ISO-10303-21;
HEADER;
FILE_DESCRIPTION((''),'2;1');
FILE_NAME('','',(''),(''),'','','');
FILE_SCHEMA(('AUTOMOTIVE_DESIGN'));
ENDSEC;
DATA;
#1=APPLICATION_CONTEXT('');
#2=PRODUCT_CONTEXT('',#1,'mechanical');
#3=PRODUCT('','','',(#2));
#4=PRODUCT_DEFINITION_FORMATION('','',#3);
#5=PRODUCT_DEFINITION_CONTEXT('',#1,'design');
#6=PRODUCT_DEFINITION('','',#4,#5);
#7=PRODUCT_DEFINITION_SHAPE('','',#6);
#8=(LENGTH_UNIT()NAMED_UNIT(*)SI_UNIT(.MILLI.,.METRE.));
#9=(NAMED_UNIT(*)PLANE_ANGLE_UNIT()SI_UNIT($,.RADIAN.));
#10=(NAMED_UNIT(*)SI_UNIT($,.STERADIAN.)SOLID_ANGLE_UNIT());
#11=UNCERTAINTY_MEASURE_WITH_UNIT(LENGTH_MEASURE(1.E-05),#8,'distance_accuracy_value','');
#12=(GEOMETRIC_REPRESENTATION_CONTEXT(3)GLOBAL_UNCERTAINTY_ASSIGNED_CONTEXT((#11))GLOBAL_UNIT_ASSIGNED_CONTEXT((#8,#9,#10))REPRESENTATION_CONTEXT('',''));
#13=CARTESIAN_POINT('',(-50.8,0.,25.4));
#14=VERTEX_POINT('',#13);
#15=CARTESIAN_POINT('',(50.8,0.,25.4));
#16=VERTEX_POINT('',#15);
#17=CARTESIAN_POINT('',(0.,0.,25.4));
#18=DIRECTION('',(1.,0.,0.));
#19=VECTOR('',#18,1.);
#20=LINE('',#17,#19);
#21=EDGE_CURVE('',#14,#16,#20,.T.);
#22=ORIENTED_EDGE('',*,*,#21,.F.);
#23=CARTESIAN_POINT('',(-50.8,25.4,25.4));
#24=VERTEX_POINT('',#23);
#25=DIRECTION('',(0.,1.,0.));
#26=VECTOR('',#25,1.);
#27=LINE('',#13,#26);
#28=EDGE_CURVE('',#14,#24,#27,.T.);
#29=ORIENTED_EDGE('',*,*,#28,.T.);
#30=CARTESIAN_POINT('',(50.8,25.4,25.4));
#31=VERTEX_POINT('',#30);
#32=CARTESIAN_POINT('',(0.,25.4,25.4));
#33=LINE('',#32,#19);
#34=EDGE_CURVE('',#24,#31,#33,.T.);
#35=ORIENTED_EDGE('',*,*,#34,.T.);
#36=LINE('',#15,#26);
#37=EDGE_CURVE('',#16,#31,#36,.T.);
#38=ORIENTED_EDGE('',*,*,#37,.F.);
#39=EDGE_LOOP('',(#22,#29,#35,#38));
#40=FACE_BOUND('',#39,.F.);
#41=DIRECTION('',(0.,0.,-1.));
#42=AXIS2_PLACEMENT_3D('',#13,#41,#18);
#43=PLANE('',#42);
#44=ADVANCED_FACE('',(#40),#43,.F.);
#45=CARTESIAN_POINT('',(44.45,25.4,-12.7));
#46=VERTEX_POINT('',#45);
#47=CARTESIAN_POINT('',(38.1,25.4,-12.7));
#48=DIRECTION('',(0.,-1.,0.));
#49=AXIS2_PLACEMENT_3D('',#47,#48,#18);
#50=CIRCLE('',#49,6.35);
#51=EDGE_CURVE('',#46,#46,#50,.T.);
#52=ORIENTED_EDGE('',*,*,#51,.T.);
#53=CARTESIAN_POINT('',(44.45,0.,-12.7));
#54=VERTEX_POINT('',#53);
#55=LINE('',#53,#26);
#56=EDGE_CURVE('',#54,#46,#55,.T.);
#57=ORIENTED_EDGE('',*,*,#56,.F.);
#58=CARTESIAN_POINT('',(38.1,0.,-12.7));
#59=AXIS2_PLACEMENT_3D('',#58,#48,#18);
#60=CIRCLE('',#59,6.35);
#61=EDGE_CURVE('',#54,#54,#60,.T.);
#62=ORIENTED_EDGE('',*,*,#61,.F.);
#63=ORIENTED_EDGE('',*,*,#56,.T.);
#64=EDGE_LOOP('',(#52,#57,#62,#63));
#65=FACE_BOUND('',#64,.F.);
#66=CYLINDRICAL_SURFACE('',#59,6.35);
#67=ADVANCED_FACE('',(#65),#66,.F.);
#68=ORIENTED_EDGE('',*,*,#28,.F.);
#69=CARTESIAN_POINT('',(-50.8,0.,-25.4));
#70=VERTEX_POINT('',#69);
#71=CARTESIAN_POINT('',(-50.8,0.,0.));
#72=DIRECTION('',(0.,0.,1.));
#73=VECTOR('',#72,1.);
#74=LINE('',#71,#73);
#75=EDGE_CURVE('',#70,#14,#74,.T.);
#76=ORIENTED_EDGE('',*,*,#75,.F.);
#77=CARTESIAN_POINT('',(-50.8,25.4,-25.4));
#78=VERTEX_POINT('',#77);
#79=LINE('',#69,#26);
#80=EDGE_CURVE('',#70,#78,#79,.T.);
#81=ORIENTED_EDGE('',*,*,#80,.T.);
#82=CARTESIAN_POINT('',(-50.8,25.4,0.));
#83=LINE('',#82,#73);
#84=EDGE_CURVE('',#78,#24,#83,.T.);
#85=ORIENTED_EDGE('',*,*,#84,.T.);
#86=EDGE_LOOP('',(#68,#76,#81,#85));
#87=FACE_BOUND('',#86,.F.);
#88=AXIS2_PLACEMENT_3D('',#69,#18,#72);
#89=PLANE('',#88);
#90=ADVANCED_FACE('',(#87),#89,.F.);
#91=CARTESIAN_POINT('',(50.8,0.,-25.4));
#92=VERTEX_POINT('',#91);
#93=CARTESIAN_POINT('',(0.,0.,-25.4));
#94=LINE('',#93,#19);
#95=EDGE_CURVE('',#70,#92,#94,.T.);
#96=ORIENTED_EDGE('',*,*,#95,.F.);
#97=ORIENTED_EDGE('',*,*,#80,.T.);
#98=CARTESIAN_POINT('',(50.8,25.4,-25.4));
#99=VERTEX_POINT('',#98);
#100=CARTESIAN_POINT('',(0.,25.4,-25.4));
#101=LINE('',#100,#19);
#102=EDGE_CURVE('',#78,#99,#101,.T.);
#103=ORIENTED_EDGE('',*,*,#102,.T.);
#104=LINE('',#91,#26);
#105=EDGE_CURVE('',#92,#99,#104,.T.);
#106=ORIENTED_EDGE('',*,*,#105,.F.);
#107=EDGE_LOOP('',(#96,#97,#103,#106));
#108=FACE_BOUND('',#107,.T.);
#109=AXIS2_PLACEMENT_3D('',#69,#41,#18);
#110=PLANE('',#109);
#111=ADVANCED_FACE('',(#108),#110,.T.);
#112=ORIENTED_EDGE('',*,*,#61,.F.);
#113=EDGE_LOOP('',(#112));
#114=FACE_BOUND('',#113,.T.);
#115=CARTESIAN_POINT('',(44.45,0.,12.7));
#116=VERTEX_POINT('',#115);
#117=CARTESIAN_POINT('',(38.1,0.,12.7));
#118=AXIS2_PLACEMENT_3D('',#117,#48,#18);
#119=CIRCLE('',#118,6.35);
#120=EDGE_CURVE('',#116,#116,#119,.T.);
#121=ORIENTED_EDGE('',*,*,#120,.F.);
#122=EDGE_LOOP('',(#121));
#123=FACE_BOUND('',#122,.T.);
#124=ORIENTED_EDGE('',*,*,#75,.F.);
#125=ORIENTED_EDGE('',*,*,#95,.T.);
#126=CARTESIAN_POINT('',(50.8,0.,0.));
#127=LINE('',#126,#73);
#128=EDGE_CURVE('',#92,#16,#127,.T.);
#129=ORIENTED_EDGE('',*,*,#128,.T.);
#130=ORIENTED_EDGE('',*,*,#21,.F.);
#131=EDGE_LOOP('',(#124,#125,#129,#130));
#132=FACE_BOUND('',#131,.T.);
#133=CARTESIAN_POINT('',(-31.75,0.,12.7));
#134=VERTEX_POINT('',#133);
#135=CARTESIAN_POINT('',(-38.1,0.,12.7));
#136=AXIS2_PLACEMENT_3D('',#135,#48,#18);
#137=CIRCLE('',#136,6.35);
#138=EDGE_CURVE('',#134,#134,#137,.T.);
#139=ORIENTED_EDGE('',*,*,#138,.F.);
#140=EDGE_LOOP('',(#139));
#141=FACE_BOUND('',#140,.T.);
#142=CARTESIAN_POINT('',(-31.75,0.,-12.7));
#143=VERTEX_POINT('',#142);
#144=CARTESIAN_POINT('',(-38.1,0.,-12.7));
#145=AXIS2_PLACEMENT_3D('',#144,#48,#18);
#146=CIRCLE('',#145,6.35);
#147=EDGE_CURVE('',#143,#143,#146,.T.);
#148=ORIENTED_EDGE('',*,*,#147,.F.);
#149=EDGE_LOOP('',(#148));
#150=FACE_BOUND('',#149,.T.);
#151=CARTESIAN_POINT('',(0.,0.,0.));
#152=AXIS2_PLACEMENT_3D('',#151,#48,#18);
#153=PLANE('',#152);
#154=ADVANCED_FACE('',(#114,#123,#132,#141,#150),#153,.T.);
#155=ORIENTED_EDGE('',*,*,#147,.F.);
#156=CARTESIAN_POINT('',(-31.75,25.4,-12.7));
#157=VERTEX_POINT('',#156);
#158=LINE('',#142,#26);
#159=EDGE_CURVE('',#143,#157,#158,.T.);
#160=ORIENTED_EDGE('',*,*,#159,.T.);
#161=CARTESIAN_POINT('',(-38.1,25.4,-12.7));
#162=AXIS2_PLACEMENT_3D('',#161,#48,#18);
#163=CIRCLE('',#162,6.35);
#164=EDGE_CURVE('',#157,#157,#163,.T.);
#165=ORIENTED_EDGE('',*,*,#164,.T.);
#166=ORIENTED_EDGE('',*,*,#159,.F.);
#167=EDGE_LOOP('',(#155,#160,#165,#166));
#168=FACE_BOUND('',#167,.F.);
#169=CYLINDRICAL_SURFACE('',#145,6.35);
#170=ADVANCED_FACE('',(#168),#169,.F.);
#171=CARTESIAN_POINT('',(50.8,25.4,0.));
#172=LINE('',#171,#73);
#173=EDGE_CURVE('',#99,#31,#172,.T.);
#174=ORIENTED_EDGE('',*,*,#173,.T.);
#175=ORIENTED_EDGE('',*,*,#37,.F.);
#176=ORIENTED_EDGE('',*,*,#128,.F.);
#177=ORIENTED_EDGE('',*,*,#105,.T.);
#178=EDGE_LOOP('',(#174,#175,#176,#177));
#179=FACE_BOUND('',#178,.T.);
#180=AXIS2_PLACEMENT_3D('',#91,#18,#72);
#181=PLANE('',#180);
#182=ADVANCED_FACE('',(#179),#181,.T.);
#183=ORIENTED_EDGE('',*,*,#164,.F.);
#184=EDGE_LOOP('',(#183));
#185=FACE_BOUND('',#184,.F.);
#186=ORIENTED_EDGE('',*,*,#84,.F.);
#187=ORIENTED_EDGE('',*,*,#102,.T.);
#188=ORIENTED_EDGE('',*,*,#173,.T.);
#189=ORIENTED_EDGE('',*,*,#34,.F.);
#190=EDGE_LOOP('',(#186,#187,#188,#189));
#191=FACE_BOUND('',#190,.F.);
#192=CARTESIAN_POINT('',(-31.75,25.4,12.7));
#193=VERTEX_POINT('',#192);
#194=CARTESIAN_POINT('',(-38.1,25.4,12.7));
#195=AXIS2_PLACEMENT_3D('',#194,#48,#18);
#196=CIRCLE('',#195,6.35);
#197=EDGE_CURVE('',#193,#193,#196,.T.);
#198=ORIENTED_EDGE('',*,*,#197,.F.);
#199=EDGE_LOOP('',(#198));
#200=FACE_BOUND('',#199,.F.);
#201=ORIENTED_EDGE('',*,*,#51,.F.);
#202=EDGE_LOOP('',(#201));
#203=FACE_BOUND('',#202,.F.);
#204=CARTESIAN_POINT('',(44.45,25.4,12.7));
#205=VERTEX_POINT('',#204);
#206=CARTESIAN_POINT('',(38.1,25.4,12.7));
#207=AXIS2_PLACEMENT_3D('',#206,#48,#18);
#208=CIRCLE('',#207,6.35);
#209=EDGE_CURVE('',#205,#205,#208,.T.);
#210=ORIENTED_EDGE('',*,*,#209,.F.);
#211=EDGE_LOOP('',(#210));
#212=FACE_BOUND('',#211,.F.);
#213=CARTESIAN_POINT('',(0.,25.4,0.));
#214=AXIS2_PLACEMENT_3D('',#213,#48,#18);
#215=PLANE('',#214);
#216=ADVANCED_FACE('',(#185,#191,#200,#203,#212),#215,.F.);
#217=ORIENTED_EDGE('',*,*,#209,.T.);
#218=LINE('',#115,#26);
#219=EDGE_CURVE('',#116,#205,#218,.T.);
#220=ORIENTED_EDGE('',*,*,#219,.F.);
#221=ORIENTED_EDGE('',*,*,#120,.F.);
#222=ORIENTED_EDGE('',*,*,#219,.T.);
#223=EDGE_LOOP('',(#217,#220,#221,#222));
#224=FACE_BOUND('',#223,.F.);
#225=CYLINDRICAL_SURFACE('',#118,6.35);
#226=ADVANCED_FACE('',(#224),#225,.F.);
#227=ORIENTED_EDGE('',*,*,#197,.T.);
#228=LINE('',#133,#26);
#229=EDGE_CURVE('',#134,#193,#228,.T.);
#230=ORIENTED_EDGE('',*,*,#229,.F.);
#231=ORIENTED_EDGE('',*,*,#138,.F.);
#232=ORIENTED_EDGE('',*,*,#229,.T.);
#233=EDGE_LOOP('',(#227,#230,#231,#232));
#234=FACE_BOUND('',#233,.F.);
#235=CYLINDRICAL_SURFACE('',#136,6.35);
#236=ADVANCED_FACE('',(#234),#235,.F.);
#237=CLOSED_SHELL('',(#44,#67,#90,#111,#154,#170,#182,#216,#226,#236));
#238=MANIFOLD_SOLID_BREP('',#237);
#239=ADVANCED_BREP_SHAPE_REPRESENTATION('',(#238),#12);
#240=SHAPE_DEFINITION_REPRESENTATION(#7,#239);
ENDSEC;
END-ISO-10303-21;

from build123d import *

# Parameters (mm, degrees)
F0_W     = 101.6
F0_H     = 50.8
F1_DEPTH = 25.4
F2_R     = 6.35
F3_DEPTH = 25.401
F5_W     = 7.62
F5_H     = 7.62
F6_ANGLE = 30


with BuildPart() as f1:
    # F0 (on Front) → F1 (new body)
    with BuildSketch(Plane.XZ):
        Rectangle(F0_W, F0_H)
    extrude(amount=-F1_DEPTH)

    # F2 (on face) → F3 (cut, through all)
    with BuildSketch(Plane.XZ):
        with Locations((-38.1, 12.7)):
            Circle(F2_R)
        with Locations((-38.1, -12.7)):
            Circle(F2_R)
        with Locations((38.1, 12.7)):
            Circle(F2_R)
        with Locations((38.1, -12.7)):
            Circle(F2_R)
    extrude(amount=-F3_DEPTH, mode=Mode.SUBTRACT)

    # F4 (on Top) + F5 (on Top) → F6 (revolve, cut)
    with BuildSketch(Plane.XY):
        Polygon((0, 25.4), (0, 50.8), (-12.7, 50.8), (-12.7, 25.4), (-10.645107, 25.4), (-6.35, 25.4), align=None)
    with BuildSketch(Plane.XY):
        with Locations((8.859598, 41.420042)):
            Rectangle(F5_W, F5_H)
    revolve(axis=Axis((0, 38.1, 0), (0, -1, 0)), revolution_arc=F6_ANGLE, mode=Mode.SUBTRACT)

    # F5 (on Top) → F7 (revolve, cut)
    with BuildSketch(Plane.XY):
        with Locations((8.859598, 41.420042)):
            Rectangle(F5_W, F5_H)
    revolve(axis=Axis((0, 38.1, 0), (0, -1, 0)), mode=Mode.SUBTRACT)


solid = f1.part
